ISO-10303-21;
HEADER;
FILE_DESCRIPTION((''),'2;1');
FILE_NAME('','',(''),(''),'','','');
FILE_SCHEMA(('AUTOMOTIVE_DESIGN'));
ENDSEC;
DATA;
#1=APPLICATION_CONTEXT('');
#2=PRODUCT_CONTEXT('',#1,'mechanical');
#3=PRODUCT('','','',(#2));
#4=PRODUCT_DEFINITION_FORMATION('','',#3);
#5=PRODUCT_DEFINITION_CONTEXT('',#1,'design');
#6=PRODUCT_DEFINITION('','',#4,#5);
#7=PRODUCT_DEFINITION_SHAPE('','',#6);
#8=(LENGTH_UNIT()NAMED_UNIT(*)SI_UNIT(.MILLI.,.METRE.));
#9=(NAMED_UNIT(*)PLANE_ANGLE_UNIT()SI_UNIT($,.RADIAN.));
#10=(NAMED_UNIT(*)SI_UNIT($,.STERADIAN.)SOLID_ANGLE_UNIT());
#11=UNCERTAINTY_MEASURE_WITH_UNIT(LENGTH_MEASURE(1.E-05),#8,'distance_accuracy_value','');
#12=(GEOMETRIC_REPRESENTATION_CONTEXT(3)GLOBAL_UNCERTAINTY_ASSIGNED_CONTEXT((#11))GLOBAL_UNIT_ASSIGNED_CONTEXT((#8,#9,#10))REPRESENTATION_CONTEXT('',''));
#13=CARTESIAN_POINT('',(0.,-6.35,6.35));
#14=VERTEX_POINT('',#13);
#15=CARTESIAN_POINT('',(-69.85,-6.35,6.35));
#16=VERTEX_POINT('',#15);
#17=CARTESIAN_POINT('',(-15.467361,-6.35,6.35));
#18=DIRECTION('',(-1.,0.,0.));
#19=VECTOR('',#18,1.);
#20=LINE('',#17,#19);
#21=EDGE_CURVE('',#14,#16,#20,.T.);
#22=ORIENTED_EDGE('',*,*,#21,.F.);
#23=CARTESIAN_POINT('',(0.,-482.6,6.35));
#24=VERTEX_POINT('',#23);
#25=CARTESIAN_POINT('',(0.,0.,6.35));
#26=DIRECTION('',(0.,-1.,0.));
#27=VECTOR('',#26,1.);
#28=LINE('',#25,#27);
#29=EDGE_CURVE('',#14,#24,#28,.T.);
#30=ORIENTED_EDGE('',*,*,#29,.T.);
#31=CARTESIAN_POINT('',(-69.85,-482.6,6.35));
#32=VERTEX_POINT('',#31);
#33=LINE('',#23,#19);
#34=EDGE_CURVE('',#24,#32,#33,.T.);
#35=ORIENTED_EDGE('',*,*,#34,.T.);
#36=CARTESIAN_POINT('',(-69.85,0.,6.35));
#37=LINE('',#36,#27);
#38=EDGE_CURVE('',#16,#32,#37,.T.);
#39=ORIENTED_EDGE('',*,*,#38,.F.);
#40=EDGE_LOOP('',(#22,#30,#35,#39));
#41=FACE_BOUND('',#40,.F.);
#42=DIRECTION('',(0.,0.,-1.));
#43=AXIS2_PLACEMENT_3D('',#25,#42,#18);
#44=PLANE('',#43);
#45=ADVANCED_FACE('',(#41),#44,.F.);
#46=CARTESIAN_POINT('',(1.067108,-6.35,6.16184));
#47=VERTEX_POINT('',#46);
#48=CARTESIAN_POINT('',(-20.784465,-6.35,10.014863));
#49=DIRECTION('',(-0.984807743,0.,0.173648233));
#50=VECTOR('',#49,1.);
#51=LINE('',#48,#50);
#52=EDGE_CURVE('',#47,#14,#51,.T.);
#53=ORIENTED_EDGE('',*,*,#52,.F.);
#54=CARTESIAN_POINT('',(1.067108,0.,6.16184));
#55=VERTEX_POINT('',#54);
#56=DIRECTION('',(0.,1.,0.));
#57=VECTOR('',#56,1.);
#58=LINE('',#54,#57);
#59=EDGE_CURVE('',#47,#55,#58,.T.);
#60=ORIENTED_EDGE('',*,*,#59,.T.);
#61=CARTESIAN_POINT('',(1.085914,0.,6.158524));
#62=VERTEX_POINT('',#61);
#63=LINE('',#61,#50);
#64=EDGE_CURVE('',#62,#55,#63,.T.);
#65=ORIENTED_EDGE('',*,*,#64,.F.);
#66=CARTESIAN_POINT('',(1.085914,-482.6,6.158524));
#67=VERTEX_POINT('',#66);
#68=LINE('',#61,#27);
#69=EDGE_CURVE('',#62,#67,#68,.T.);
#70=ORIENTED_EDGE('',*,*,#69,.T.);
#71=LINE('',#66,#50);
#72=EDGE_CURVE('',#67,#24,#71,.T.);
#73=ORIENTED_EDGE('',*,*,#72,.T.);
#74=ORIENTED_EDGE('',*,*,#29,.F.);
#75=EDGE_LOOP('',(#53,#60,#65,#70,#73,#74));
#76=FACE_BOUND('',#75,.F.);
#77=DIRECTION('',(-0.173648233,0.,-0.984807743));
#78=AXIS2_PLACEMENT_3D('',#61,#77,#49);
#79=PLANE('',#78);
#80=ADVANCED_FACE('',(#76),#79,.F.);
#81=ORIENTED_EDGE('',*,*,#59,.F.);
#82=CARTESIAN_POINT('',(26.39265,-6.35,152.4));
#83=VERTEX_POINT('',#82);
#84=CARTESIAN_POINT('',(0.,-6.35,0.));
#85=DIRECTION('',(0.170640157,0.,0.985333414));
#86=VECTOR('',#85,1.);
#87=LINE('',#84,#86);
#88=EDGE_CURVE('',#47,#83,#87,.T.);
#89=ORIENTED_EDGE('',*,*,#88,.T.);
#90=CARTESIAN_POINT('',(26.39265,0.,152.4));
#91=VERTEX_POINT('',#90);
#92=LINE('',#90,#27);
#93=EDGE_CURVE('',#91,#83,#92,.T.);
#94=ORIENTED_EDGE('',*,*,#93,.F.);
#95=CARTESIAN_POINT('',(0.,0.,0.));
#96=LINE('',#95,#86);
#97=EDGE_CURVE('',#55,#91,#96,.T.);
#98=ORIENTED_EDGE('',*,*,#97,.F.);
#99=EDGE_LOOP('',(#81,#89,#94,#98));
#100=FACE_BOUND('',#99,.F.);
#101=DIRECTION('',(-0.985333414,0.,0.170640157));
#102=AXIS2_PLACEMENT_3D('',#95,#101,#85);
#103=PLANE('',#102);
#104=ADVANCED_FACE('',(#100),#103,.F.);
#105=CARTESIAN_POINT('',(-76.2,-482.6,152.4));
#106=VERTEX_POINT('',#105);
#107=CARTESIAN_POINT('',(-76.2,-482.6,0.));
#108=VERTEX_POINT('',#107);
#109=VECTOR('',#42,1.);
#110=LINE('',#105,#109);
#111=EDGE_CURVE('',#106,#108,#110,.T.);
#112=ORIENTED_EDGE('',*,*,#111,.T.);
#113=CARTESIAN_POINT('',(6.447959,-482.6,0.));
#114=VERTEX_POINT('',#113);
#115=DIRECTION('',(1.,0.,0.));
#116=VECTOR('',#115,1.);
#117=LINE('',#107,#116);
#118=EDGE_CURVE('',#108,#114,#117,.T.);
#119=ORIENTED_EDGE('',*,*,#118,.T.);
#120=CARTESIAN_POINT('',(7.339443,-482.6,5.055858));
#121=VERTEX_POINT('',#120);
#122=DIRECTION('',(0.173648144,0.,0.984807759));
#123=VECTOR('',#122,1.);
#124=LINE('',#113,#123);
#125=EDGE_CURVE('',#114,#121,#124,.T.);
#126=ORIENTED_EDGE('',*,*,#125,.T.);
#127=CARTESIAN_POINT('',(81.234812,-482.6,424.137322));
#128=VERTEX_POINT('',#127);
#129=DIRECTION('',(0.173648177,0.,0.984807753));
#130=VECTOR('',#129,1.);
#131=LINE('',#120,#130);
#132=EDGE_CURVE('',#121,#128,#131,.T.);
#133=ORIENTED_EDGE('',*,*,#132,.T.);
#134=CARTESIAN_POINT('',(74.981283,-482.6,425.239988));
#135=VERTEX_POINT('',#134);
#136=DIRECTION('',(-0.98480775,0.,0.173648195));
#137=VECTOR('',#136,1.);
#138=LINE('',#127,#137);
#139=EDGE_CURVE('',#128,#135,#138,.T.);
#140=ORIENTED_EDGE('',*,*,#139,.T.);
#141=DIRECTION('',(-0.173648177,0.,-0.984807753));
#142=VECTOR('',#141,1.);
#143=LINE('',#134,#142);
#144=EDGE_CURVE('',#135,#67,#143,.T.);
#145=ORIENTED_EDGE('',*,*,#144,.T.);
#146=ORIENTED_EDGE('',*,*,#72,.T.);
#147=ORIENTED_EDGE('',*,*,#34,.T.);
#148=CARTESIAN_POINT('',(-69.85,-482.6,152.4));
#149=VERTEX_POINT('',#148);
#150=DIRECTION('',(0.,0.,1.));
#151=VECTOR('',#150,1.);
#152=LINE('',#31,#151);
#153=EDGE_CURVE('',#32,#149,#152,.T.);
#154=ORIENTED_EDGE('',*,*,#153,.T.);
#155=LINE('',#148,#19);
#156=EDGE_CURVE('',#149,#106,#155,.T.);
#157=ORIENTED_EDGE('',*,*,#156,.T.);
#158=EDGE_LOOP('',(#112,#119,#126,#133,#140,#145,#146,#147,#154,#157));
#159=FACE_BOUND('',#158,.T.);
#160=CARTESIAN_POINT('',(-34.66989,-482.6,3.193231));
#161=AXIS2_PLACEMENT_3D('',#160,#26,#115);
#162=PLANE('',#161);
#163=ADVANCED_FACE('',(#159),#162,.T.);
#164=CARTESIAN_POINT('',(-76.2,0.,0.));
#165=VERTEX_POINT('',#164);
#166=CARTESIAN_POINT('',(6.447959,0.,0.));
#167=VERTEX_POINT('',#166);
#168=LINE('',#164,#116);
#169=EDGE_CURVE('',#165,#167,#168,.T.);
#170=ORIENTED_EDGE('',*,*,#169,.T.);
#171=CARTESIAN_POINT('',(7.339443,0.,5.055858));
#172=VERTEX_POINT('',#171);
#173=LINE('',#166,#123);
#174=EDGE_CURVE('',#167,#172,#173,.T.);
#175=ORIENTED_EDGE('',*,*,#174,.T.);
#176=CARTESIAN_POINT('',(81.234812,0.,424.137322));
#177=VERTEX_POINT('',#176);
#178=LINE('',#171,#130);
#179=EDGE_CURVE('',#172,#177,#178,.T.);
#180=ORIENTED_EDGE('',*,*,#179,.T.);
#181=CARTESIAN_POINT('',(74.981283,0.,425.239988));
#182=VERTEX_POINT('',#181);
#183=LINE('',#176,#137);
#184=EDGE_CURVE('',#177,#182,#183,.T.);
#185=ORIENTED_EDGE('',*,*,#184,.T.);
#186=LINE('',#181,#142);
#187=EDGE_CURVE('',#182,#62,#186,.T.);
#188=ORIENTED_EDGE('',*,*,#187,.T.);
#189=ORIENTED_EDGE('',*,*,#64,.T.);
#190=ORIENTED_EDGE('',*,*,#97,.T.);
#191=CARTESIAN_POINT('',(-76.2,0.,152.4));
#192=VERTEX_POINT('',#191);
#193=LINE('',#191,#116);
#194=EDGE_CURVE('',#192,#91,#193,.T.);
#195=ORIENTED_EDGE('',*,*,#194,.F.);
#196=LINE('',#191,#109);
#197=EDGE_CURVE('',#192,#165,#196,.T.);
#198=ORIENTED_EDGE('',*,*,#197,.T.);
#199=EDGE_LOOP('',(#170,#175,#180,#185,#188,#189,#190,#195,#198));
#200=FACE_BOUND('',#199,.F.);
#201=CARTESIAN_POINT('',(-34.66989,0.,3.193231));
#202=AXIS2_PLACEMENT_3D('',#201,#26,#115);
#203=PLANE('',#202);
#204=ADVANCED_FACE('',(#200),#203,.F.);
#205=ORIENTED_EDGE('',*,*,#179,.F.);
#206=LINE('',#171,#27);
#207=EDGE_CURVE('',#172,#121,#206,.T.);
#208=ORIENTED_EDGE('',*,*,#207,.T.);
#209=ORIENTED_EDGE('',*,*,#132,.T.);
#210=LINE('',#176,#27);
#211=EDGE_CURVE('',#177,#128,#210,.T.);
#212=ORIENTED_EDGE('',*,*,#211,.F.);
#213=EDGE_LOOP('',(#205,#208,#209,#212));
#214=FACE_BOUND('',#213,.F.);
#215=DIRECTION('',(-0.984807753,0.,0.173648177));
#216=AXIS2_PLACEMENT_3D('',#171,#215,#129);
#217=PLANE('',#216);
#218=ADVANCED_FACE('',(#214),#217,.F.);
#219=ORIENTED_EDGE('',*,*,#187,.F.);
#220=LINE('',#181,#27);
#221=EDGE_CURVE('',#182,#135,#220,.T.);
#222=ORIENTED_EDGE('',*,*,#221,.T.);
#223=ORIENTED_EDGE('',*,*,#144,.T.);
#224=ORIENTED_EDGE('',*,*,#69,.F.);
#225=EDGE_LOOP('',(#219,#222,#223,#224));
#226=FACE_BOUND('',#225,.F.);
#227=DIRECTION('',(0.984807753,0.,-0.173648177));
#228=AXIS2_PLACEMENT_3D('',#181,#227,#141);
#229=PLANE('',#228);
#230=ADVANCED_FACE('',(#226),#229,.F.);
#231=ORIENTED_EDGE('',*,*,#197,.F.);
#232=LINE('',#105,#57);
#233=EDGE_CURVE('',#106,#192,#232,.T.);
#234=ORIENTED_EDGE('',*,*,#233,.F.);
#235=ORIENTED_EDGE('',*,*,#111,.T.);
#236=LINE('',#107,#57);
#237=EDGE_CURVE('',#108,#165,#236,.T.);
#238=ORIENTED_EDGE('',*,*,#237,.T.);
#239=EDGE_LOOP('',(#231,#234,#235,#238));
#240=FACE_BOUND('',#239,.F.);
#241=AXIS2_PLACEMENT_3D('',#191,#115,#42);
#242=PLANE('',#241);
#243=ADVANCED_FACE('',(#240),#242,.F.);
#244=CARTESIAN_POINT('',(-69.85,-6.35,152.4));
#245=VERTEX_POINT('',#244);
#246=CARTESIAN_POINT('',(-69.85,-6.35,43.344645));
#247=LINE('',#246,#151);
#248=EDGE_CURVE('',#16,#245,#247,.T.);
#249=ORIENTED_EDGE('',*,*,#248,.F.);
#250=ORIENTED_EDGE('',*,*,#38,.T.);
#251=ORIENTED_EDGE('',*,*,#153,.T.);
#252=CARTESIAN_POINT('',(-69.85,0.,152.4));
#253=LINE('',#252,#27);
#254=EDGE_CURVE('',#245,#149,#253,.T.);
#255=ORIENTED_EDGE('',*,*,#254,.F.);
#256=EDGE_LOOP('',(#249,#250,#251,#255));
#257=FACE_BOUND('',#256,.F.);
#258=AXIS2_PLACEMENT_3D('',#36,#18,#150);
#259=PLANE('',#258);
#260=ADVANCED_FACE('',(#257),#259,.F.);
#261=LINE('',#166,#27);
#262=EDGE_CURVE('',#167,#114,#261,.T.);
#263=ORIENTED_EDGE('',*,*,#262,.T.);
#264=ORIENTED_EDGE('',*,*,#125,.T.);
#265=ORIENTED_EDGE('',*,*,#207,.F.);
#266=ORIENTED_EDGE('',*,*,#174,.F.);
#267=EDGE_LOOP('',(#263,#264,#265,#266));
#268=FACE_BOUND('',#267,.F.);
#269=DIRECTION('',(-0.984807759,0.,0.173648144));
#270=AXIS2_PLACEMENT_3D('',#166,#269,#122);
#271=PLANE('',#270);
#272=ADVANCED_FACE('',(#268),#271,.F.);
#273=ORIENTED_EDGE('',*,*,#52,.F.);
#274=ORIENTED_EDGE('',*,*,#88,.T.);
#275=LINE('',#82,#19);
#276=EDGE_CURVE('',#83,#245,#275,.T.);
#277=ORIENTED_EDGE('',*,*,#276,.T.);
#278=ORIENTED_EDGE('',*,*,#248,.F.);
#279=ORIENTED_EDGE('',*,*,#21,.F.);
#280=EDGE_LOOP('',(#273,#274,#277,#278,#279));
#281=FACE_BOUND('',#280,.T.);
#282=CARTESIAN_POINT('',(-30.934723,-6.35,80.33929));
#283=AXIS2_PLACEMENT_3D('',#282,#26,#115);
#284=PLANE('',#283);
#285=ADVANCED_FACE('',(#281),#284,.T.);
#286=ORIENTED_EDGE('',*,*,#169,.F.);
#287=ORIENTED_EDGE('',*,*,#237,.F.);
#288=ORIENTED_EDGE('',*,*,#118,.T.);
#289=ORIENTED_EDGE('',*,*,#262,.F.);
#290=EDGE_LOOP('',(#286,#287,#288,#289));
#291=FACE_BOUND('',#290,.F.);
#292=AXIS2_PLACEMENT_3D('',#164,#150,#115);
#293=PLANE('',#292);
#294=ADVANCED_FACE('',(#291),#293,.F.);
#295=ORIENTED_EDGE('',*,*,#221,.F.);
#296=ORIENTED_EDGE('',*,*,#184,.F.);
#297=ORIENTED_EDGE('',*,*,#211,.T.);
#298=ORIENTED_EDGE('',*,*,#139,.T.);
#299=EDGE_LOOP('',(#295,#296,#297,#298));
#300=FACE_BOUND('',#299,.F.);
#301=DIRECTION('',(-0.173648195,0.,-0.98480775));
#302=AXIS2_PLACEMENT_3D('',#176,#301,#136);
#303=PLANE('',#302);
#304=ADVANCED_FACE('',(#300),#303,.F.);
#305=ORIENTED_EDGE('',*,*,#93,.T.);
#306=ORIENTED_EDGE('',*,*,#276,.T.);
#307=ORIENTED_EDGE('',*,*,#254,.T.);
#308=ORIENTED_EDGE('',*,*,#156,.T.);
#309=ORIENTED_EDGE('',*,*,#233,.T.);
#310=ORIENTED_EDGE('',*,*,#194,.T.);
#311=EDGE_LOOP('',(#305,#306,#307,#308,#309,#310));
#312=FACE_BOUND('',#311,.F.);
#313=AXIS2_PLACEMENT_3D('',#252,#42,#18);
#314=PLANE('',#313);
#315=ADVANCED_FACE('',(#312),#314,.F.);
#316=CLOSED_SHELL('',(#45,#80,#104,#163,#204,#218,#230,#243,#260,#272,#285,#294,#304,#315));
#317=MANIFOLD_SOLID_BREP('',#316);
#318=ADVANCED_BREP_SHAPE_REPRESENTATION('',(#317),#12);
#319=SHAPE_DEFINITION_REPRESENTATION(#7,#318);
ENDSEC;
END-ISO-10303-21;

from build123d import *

# Parameters (mm, degrees)
F1_DEPTH = 482.6
F3_DEPTH = 6.35


with BuildPart() as f1:
    # F0 (on Front) → F1 (new body)
    with BuildSketch(Plane.XZ):
        Polygon((-69.85, 0), (0, 0), (1.085914, 6.158524), (0, 6.35), (-69.85, 6.35), align=None)
        Polygon((1.085914, 6.158524), (0, 0), (6.447959, 0), (7.339443, 5.055858), align=None)
        Polygon((74.981283, 425.239988), (1.085914, 6.158524), (7.339443, 5.055858), (81.234812, 424.137322), align=None)
        Polygon((-76.2, 0), (-69.85, 0), (-69.85, 6.35), (-69.85, 152.4), (-76.2, 152.4), align=None)
    extrude(amount=F1_DEPTH)

    # F2 (on Front) → F3 (join)
    with BuildSketch(Plane.XZ):
        Polygon((-76.2, 0), (0, 0), (26.39265, 152.4), (-76.2, 152.4), align=None)
    extrude(amount=F3_DEPTH)


solid = f1.part
